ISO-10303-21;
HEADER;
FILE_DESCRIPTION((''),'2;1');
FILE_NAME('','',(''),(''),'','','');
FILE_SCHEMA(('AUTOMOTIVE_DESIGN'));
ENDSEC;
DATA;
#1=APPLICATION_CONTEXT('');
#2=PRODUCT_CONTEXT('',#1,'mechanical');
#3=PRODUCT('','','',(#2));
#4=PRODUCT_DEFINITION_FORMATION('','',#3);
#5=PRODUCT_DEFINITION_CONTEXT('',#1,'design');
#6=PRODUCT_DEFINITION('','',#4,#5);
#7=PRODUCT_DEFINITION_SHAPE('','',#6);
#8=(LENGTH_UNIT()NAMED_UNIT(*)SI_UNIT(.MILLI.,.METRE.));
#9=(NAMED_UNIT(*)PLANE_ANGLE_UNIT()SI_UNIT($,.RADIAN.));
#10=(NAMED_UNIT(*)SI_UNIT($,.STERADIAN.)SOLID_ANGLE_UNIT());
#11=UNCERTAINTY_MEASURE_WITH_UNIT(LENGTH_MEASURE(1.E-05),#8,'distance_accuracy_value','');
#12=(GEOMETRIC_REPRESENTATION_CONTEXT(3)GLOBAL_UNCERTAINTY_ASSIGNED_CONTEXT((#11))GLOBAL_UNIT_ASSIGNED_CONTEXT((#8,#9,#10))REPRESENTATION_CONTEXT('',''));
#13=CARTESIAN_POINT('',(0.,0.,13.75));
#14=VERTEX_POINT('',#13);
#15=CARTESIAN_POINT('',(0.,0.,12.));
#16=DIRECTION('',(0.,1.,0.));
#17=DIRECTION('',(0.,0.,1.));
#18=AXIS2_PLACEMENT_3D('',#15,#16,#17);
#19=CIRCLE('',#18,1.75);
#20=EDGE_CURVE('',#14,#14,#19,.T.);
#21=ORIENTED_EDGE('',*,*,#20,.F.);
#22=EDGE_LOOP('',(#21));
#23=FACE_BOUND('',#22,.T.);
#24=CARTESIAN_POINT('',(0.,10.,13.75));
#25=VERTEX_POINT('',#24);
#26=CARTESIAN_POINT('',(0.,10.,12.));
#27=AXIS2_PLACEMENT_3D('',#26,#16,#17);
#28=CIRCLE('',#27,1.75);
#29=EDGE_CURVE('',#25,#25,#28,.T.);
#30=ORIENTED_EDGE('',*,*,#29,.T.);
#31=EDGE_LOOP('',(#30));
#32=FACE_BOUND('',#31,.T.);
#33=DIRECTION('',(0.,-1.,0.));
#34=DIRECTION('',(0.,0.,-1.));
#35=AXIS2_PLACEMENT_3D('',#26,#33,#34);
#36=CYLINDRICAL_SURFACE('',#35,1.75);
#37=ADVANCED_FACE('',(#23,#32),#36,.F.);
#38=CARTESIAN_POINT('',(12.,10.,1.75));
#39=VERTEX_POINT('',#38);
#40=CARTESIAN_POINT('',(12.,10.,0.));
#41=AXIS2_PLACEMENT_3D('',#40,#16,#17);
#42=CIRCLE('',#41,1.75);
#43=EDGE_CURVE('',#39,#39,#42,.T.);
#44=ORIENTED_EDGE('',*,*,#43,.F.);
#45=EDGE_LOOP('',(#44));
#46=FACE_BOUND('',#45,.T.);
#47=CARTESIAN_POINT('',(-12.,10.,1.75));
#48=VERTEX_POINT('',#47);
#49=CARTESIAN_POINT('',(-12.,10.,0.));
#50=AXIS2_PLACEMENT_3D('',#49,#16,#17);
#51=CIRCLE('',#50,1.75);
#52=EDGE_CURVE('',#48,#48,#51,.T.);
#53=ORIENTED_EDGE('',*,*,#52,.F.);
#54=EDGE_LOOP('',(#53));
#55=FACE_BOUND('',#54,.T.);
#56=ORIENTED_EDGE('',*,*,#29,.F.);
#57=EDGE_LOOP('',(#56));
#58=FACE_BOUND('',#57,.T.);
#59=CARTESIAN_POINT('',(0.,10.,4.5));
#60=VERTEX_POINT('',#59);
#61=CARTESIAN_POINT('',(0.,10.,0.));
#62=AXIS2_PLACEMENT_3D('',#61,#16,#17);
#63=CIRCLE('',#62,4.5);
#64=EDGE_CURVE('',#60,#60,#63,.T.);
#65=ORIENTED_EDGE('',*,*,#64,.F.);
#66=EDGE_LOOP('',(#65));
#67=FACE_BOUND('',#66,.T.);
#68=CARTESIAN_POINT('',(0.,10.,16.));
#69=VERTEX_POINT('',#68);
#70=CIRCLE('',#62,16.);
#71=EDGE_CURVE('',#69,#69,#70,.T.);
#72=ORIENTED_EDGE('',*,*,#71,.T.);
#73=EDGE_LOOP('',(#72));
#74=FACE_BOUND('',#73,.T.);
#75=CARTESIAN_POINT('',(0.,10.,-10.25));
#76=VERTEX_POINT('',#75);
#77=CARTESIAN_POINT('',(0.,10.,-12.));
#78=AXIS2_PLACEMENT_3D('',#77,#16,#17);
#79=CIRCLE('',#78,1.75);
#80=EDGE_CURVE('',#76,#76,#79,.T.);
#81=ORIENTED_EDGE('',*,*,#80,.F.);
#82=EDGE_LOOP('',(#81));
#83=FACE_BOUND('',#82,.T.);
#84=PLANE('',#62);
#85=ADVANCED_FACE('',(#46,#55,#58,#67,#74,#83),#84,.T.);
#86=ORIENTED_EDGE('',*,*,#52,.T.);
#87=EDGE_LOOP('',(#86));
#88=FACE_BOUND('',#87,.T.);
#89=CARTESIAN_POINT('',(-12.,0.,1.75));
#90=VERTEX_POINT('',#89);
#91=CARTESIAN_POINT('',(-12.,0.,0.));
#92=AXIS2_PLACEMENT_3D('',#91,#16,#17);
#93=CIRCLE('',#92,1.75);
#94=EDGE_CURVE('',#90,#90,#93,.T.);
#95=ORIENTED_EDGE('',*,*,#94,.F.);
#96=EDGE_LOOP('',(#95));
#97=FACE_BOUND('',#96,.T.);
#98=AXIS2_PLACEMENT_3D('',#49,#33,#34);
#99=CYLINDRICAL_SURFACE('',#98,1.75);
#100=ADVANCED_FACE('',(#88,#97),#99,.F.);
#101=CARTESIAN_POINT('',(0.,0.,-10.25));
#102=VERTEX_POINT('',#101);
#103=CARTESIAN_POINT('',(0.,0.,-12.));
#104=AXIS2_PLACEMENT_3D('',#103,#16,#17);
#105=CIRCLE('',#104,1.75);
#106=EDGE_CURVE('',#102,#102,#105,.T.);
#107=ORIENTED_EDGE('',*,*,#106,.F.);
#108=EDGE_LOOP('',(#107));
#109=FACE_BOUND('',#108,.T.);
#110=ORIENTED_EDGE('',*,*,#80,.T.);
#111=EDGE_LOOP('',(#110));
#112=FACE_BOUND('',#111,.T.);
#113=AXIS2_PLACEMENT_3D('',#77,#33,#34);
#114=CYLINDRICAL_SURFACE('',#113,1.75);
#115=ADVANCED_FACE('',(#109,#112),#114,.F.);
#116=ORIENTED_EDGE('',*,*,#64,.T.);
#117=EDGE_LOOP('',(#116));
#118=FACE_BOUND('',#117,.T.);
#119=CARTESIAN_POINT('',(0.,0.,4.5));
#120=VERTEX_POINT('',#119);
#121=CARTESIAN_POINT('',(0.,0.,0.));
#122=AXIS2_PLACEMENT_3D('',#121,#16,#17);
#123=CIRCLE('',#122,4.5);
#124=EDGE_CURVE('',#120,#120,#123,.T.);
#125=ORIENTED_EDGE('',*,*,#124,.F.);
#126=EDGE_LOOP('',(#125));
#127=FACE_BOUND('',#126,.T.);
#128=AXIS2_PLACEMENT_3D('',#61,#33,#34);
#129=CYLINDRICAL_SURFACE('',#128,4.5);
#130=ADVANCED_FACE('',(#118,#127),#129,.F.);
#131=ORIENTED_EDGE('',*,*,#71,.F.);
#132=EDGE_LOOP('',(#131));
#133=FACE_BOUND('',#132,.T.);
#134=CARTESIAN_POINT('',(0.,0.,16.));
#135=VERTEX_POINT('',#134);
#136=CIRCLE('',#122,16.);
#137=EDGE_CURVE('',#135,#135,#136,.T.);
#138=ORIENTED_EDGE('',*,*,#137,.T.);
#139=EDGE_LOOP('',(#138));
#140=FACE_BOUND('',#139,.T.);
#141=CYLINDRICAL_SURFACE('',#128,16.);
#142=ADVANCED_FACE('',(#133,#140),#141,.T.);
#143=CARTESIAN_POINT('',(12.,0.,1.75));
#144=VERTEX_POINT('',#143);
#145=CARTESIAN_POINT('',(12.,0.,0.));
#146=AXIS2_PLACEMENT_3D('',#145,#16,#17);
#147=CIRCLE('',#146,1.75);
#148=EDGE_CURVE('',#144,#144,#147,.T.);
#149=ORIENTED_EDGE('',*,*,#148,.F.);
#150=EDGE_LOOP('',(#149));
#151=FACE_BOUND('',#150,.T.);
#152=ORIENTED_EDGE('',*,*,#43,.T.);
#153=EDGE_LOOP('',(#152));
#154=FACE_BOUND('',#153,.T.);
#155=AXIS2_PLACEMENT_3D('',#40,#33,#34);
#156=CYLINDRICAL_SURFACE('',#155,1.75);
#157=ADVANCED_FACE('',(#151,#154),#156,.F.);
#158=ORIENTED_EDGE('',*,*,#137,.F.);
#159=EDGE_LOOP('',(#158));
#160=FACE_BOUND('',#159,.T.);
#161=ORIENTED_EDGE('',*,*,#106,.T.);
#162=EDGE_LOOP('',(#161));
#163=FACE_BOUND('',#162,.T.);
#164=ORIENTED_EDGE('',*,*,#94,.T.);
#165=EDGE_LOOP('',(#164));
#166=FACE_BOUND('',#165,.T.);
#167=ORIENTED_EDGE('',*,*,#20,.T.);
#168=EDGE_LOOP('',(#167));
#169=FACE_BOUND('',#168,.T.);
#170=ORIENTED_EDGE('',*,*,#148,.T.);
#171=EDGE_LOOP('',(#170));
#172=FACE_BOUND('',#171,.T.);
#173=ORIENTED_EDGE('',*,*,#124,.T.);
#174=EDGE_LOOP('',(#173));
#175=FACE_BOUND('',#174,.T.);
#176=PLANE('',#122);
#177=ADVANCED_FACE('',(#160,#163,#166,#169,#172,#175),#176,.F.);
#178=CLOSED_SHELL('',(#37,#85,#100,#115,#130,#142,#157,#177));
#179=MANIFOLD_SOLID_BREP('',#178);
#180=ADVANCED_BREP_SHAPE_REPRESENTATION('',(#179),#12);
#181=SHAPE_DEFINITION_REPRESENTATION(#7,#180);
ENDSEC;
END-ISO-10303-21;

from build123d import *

# Parameters (mm, degrees)
SKETCH2_R           = 16
SKETCH2_R_2         = 4.5
SKETCH2_R_3         = 1.75
BOSS_EXTRUDE1_DEPTH = 10


with BuildPart() as part:
    # Sketch2 → Boss-Extrude1 (new body)
    with BuildSketch(Plane(origin=(0, 0, 0), x_dir=(1, 0, 0), z_dir=(0, 1, 0))):
        with Locations(Location((0, 0, 0), (0, 0, 270))):
            Circle(SKETCH2_R)
        with Locations(Location((0, 0, 0), (0, 0, 270))):
            Circle(SKETCH2_R_2, mode=Mode.SUBTRACT)
        with Locations(Location((0, 12, 0), (0, 0, 270))):
            Circle(SKETCH2_R_3, mode=Mode.SUBTRACT)
        with Locations(Location((-12, 0, 0), (0, 0, 270))):
            Circle(SKETCH2_R_3, mode=Mode.SUBTRACT)
        with Locations(Location((0, -12, 0), (0, 0, 270))):
            Circle(SKETCH2_R_3, mode=Mode.SUBTRACT)
        with Locations(Location((12, 0, 0), (0, 0, 270))):
            Circle(SKETCH2_R_3, mode=Mode.SUBTRACT)
    extrude(amount=BOSS_EXTRUDE1_DEPTH)


solid = part.part
